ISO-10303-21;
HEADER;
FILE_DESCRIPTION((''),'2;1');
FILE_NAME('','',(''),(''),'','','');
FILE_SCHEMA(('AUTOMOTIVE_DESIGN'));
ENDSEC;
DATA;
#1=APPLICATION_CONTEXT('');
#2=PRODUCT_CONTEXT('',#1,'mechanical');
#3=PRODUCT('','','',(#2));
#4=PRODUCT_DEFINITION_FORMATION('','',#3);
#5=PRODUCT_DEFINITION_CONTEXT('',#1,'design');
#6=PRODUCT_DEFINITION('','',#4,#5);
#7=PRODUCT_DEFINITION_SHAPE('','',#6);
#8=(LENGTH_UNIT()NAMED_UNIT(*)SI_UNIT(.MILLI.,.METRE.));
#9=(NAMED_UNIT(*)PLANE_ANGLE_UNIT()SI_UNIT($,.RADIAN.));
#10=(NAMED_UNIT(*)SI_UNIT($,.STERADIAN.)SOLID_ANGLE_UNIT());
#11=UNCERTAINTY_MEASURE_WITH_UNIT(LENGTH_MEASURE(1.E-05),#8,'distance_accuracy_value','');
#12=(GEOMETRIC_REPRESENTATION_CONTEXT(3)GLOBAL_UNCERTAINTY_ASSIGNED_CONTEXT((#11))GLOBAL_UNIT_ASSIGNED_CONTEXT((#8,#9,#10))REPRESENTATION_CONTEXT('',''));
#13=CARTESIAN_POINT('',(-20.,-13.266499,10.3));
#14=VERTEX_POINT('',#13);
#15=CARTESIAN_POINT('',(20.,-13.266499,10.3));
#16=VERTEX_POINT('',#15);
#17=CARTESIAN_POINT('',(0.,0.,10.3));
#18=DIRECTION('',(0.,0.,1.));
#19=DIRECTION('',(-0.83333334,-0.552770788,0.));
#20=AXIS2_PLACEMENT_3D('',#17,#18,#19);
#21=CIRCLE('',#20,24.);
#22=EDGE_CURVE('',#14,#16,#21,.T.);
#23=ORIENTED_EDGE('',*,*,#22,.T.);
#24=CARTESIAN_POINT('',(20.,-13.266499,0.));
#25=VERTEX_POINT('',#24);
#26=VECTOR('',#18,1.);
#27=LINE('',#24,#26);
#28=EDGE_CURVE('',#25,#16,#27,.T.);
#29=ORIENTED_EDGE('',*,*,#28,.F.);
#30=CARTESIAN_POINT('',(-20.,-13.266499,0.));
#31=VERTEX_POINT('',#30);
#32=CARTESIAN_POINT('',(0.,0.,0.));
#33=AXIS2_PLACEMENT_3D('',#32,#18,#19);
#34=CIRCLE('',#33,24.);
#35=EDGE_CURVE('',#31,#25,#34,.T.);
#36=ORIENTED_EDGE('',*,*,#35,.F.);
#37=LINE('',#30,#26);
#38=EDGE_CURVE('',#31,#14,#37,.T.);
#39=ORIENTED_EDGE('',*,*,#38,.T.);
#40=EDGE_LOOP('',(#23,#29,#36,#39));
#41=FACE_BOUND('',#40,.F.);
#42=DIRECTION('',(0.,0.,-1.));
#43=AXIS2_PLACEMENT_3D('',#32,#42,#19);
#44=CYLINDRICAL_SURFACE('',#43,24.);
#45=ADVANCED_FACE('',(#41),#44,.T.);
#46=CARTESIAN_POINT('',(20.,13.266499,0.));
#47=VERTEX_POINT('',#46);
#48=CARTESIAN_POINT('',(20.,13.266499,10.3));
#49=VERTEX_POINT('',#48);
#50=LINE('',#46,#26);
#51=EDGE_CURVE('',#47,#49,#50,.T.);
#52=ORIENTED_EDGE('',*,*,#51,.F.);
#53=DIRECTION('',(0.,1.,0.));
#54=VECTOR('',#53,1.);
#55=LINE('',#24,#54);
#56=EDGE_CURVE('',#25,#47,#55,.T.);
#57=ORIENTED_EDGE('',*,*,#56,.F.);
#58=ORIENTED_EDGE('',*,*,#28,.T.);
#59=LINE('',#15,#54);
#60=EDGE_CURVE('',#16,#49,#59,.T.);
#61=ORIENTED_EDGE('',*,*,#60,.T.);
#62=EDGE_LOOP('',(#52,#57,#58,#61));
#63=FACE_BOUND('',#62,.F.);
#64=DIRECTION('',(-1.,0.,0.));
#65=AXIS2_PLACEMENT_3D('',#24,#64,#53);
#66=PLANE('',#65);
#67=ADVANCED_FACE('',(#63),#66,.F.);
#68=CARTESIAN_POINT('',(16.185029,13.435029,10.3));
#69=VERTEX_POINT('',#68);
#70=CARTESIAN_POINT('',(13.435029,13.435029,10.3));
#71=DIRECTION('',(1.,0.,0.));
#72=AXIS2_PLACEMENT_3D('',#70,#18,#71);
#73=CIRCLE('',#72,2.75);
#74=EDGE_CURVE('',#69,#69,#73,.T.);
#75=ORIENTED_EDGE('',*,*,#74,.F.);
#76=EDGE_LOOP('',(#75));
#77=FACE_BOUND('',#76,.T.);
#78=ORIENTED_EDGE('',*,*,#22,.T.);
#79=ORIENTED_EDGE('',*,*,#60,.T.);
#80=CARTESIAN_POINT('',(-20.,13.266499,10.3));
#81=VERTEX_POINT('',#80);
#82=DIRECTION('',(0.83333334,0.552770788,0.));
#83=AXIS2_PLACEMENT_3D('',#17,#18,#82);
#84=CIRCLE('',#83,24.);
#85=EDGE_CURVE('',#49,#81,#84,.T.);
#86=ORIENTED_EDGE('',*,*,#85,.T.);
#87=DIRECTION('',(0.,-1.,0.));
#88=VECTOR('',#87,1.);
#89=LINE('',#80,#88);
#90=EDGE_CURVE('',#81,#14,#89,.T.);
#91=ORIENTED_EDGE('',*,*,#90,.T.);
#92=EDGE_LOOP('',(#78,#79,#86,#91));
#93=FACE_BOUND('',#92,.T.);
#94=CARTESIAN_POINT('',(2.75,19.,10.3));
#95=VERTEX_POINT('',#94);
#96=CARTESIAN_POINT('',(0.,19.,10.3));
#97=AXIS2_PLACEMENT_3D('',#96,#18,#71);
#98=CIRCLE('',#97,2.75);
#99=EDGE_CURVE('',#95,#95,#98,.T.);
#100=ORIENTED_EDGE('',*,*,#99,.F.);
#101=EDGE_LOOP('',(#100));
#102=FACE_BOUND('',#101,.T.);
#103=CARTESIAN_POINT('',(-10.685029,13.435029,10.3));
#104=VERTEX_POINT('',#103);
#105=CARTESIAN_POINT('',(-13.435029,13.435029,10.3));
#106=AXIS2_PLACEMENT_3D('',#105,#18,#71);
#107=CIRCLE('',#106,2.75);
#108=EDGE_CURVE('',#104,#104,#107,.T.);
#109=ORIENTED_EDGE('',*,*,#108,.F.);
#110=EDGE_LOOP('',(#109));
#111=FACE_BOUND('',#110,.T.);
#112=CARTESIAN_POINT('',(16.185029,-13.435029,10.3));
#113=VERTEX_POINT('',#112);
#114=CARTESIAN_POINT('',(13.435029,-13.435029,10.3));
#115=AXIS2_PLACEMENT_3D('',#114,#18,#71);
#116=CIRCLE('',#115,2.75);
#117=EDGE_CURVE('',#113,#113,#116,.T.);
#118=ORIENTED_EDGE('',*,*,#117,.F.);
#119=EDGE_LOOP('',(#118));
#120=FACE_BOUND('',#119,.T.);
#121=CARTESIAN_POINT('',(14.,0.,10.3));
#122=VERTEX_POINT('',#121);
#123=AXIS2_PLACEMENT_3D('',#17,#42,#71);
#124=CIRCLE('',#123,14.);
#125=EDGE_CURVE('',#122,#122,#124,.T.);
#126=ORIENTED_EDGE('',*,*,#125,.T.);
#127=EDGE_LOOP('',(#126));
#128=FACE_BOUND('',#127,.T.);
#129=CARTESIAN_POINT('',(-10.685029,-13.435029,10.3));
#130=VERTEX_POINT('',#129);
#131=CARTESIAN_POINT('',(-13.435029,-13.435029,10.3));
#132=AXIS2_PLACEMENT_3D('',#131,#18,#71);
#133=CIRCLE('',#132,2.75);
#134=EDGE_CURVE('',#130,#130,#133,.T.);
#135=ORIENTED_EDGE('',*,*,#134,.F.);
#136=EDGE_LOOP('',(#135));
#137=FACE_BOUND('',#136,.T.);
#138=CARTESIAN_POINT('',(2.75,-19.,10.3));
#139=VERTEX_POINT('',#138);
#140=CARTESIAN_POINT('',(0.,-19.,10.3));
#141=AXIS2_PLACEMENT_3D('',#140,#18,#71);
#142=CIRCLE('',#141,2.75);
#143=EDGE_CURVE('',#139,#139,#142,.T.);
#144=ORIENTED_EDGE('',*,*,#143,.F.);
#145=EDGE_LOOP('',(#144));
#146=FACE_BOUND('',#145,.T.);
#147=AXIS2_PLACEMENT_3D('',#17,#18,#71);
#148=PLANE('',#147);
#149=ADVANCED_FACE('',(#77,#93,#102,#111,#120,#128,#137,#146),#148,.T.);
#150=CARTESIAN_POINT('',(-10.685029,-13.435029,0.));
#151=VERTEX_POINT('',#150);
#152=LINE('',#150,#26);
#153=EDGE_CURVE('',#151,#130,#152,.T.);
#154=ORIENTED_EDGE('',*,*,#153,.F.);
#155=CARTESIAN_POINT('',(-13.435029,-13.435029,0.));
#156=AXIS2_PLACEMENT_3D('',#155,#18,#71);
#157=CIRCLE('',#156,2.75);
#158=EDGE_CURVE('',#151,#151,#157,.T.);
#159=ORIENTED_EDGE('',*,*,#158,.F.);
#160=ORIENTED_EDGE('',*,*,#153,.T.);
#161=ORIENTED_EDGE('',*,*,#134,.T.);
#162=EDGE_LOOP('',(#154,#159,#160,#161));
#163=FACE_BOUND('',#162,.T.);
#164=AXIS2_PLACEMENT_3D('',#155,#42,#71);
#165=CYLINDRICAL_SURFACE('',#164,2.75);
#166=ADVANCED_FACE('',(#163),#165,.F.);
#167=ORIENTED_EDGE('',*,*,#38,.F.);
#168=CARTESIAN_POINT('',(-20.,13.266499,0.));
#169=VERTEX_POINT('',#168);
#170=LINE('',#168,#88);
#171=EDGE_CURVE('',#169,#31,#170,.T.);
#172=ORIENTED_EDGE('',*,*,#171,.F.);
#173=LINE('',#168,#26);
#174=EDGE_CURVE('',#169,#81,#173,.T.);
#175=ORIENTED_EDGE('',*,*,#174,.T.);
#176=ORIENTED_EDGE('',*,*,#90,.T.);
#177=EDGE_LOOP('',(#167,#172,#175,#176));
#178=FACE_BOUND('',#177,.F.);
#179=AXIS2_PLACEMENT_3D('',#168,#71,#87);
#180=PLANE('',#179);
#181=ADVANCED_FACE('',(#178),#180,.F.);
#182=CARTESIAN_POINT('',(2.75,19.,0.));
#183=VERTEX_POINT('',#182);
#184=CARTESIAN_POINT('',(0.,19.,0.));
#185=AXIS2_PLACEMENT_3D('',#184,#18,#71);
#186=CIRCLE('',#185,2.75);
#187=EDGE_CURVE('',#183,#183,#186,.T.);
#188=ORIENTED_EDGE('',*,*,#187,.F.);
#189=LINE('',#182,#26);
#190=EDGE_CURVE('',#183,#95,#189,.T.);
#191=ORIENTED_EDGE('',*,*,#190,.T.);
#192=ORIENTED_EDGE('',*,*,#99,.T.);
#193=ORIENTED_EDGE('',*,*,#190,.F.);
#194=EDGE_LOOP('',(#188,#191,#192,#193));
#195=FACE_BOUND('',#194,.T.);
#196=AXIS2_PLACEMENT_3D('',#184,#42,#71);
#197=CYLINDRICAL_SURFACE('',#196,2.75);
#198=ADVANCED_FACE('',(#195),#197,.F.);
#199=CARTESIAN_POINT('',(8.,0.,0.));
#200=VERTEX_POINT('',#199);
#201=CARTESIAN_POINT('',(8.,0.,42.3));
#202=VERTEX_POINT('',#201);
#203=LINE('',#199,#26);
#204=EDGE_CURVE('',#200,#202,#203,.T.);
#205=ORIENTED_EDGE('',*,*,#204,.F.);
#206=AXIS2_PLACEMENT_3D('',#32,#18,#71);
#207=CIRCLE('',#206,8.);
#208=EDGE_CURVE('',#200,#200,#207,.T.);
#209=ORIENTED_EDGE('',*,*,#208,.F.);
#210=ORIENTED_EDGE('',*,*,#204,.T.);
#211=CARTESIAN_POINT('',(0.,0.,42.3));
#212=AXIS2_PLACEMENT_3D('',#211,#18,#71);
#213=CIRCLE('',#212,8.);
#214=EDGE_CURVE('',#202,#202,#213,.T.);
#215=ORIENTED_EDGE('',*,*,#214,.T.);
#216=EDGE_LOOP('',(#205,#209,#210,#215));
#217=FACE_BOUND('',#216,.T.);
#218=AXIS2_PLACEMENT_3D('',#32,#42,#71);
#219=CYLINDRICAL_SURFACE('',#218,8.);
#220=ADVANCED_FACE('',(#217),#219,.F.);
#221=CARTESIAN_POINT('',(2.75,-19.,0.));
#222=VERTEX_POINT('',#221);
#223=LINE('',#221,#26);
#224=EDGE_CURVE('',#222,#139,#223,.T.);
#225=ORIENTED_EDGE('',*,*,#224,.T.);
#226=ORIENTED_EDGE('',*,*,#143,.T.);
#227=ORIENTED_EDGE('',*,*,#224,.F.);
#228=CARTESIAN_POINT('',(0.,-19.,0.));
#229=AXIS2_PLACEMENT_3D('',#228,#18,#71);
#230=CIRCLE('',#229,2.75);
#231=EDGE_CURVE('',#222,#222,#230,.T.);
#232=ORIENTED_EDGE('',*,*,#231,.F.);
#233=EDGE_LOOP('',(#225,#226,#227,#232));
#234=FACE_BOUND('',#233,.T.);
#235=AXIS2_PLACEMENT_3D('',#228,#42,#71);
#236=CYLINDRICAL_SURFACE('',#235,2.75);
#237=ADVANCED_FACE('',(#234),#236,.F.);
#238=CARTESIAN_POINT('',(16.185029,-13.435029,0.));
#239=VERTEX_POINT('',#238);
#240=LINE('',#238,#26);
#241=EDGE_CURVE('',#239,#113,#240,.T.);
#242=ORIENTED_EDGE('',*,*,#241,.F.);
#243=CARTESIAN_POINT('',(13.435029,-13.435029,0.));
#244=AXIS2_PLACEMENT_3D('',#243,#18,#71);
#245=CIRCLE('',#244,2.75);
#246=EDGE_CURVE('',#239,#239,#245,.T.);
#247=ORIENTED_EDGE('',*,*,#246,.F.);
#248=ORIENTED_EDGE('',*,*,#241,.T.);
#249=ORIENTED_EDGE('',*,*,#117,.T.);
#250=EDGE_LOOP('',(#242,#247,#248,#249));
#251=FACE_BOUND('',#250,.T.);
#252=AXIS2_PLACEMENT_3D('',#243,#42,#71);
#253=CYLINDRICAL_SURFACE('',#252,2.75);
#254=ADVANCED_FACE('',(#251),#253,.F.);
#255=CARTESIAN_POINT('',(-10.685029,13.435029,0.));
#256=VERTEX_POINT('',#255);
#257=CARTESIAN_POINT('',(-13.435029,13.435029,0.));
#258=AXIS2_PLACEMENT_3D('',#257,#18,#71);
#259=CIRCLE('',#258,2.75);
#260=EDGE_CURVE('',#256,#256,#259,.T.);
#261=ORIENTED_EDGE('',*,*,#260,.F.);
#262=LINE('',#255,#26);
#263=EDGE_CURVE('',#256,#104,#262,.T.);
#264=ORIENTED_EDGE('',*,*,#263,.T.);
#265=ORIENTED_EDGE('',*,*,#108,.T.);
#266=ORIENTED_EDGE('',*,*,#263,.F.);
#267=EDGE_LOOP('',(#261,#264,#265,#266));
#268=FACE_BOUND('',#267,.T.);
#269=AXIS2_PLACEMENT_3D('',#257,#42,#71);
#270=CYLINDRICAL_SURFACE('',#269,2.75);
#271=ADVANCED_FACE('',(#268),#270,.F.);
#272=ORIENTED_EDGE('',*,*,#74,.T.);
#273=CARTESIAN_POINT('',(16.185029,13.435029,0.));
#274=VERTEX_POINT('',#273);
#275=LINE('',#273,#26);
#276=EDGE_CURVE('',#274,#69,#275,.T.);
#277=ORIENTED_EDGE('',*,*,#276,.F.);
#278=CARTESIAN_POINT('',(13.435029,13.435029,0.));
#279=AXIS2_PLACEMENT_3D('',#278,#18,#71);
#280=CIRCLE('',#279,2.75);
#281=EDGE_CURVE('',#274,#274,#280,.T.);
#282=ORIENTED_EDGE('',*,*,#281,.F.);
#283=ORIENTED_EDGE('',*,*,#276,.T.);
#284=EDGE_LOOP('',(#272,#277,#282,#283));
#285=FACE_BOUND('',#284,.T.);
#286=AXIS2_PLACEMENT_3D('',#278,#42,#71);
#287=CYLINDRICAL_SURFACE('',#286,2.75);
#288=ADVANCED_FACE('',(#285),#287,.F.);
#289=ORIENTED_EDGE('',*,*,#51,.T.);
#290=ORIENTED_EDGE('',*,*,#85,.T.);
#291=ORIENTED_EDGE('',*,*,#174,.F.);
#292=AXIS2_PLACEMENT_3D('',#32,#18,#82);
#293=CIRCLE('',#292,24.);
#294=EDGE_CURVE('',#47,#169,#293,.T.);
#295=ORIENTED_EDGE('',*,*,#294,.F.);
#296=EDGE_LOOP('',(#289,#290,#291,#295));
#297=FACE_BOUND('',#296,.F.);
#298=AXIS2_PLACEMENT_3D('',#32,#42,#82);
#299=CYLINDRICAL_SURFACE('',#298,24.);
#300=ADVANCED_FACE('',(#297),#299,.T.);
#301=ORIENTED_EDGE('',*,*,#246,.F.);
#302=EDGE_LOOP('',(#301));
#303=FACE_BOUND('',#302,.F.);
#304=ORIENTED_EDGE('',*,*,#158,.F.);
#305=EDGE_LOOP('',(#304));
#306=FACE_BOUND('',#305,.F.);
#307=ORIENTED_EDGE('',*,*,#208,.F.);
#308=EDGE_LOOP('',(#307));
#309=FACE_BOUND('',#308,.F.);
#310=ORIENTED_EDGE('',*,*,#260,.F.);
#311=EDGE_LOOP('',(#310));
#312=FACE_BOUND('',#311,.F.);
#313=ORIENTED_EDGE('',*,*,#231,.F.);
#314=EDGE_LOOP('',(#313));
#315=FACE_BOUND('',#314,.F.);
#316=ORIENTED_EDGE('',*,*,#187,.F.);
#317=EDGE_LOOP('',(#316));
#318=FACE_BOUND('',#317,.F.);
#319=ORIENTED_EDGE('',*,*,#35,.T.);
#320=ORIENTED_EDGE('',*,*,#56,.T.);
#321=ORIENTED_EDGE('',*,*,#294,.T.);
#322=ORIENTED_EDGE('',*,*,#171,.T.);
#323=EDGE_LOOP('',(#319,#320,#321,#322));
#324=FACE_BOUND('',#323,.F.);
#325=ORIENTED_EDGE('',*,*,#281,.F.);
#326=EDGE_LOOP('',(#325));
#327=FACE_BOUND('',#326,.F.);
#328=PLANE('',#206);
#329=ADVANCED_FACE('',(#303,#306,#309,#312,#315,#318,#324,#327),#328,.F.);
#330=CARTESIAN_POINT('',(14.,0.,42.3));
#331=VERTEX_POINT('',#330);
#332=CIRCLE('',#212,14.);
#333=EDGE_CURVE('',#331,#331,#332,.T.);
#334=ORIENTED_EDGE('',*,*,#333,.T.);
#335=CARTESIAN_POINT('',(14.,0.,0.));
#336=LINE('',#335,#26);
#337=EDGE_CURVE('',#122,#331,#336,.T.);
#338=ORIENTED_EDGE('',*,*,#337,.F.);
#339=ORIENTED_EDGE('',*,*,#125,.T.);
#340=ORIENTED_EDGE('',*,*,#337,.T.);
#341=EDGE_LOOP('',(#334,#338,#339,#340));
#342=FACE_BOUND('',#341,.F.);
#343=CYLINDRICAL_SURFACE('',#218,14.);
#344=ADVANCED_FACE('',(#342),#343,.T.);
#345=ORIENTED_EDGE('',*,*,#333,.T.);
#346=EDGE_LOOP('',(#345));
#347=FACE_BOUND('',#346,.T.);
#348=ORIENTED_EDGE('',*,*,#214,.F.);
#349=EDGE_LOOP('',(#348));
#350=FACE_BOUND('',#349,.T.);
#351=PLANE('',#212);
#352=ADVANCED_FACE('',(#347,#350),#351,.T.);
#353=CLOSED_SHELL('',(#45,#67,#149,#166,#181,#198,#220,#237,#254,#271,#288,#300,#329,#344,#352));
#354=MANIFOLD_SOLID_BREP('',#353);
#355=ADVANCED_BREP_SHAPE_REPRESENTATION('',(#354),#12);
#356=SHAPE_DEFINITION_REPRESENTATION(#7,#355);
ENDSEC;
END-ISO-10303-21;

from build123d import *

# Parameters (mm, degrees)
F0_R     = 2.75
F0_R_2   = 14
F0_R_3   = 8
F1_DEPTH = 10.3
F2_DEPTH = 42.3


with BuildPart() as f1:
    # F0 (on Top) → F1 (new body)
    with BuildSketch(Plane.XY):
        with BuildLine():
            Line((-20, 13.266499), (-20, -13.266499))
            ThreePointArc((-20, -13.266499), (0, -24), (20, -13.266499))
            Line((20, -13.266499), (20, 13.266499))
            ThreePointArc((20, 13.266499), (0, 24), (-20, 13.266499))
        make_face()
        with Locations((-13.435029, -13.435029)):
            Circle(F0_R, mode=Mode.SUBTRACT)
        with Locations((0, -19)):
            Circle(F0_R, mode=Mode.SUBTRACT)
        with Locations((13.435029, -13.435029)):
            Circle(F0_R, mode=Mode.SUBTRACT)
        with Locations((-13.435029, 13.435029)):
            Circle(F0_R, mode=Mode.SUBTRACT)
        Circle(F0_R_2, mode=Mode.SUBTRACT)
        with Locations((0, 19)):
            Circle(F0_R, mode=Mode.SUBTRACT)
        with Locations((13.435029, 13.435029)):
            Circle(F0_R, mode=Mode.SUBTRACT)
        Circle(F0_R_2)
        Circle(F0_R_3, mode=Mode.SUBTRACT)
    extrude(amount=F1_DEPTH)

    # F0 (on Top) → F2 (join)
    with BuildSketch(Plane.XY):
        Circle(F0_R_2)
        Circle(F0_R_3, mode=Mode.SUBTRACT)
    extrude(amount=F2_DEPTH)


solid = f1.part
